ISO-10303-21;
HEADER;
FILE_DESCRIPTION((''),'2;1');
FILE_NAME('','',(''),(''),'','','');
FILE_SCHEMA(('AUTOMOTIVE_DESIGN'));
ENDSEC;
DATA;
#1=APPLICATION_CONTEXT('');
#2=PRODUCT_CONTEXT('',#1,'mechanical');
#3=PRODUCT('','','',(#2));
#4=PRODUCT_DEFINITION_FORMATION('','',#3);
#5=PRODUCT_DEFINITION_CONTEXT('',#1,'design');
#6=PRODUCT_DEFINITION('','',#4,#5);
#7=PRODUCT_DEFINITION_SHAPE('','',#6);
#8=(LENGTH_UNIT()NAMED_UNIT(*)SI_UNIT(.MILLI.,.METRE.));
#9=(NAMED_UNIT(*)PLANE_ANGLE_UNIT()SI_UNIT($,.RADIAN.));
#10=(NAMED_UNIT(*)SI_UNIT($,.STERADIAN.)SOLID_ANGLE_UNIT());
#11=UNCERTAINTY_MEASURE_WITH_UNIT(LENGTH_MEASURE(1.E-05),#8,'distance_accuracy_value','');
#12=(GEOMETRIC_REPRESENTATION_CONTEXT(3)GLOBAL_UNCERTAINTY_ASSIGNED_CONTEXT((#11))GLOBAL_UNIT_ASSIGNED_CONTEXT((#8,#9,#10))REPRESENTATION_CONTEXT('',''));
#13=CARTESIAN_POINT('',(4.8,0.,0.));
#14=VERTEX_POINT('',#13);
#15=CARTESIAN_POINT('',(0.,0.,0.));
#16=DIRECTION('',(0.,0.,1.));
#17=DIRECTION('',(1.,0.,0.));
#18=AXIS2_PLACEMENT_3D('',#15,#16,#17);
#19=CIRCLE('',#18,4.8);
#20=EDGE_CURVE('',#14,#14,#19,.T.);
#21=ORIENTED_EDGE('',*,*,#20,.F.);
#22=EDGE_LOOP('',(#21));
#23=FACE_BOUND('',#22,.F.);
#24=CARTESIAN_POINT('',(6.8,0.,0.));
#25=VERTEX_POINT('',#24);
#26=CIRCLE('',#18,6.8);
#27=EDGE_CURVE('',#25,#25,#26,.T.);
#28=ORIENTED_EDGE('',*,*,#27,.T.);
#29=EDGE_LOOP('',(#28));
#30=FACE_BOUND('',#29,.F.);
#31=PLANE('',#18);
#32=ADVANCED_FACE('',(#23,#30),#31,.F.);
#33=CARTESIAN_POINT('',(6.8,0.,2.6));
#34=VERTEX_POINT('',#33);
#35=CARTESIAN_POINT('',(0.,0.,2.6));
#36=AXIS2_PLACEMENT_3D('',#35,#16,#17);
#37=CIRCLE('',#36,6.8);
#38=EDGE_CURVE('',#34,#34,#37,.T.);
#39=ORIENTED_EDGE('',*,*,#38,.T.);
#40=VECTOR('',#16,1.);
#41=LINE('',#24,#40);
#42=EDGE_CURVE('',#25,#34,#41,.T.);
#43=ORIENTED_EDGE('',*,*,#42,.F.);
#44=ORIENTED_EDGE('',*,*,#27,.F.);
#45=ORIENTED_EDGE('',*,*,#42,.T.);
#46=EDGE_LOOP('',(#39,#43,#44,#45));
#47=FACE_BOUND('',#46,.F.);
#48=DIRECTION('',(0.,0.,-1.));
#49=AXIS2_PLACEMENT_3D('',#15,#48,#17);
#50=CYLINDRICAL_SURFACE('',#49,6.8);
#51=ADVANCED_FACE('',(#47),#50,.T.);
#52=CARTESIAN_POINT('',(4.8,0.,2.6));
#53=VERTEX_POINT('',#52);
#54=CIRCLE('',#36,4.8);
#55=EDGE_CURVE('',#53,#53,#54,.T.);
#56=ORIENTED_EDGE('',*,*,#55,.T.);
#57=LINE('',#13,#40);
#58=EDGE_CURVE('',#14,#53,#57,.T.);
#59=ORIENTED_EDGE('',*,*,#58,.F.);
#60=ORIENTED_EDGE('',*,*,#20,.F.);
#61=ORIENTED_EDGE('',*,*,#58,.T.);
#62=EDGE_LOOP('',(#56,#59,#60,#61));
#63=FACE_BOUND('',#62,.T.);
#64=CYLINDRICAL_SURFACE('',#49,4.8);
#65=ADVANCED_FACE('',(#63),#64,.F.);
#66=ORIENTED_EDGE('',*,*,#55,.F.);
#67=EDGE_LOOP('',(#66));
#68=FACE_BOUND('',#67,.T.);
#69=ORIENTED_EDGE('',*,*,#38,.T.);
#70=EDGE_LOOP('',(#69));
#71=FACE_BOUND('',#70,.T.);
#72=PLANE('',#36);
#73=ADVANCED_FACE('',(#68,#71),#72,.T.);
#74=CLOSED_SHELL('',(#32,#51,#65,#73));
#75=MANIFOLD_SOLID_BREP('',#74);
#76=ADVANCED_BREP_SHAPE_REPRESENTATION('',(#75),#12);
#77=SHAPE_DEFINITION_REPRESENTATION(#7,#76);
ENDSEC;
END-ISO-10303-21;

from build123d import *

# Parameters (mm, degrees)
SKETCH_R   = 6.8
SKETCH_R_2 = 4.8
PAD_DEPTH  = 2.6


with BuildPart() as part:
    # Sketch → Pad (new body)
    with BuildSketch(Plane.XY):
        Circle(SKETCH_R)
        Circle(SKETCH_R_2, mode=Mode.SUBTRACT)
    extrude(amount=PAD_DEPTH)


solid = part.part
